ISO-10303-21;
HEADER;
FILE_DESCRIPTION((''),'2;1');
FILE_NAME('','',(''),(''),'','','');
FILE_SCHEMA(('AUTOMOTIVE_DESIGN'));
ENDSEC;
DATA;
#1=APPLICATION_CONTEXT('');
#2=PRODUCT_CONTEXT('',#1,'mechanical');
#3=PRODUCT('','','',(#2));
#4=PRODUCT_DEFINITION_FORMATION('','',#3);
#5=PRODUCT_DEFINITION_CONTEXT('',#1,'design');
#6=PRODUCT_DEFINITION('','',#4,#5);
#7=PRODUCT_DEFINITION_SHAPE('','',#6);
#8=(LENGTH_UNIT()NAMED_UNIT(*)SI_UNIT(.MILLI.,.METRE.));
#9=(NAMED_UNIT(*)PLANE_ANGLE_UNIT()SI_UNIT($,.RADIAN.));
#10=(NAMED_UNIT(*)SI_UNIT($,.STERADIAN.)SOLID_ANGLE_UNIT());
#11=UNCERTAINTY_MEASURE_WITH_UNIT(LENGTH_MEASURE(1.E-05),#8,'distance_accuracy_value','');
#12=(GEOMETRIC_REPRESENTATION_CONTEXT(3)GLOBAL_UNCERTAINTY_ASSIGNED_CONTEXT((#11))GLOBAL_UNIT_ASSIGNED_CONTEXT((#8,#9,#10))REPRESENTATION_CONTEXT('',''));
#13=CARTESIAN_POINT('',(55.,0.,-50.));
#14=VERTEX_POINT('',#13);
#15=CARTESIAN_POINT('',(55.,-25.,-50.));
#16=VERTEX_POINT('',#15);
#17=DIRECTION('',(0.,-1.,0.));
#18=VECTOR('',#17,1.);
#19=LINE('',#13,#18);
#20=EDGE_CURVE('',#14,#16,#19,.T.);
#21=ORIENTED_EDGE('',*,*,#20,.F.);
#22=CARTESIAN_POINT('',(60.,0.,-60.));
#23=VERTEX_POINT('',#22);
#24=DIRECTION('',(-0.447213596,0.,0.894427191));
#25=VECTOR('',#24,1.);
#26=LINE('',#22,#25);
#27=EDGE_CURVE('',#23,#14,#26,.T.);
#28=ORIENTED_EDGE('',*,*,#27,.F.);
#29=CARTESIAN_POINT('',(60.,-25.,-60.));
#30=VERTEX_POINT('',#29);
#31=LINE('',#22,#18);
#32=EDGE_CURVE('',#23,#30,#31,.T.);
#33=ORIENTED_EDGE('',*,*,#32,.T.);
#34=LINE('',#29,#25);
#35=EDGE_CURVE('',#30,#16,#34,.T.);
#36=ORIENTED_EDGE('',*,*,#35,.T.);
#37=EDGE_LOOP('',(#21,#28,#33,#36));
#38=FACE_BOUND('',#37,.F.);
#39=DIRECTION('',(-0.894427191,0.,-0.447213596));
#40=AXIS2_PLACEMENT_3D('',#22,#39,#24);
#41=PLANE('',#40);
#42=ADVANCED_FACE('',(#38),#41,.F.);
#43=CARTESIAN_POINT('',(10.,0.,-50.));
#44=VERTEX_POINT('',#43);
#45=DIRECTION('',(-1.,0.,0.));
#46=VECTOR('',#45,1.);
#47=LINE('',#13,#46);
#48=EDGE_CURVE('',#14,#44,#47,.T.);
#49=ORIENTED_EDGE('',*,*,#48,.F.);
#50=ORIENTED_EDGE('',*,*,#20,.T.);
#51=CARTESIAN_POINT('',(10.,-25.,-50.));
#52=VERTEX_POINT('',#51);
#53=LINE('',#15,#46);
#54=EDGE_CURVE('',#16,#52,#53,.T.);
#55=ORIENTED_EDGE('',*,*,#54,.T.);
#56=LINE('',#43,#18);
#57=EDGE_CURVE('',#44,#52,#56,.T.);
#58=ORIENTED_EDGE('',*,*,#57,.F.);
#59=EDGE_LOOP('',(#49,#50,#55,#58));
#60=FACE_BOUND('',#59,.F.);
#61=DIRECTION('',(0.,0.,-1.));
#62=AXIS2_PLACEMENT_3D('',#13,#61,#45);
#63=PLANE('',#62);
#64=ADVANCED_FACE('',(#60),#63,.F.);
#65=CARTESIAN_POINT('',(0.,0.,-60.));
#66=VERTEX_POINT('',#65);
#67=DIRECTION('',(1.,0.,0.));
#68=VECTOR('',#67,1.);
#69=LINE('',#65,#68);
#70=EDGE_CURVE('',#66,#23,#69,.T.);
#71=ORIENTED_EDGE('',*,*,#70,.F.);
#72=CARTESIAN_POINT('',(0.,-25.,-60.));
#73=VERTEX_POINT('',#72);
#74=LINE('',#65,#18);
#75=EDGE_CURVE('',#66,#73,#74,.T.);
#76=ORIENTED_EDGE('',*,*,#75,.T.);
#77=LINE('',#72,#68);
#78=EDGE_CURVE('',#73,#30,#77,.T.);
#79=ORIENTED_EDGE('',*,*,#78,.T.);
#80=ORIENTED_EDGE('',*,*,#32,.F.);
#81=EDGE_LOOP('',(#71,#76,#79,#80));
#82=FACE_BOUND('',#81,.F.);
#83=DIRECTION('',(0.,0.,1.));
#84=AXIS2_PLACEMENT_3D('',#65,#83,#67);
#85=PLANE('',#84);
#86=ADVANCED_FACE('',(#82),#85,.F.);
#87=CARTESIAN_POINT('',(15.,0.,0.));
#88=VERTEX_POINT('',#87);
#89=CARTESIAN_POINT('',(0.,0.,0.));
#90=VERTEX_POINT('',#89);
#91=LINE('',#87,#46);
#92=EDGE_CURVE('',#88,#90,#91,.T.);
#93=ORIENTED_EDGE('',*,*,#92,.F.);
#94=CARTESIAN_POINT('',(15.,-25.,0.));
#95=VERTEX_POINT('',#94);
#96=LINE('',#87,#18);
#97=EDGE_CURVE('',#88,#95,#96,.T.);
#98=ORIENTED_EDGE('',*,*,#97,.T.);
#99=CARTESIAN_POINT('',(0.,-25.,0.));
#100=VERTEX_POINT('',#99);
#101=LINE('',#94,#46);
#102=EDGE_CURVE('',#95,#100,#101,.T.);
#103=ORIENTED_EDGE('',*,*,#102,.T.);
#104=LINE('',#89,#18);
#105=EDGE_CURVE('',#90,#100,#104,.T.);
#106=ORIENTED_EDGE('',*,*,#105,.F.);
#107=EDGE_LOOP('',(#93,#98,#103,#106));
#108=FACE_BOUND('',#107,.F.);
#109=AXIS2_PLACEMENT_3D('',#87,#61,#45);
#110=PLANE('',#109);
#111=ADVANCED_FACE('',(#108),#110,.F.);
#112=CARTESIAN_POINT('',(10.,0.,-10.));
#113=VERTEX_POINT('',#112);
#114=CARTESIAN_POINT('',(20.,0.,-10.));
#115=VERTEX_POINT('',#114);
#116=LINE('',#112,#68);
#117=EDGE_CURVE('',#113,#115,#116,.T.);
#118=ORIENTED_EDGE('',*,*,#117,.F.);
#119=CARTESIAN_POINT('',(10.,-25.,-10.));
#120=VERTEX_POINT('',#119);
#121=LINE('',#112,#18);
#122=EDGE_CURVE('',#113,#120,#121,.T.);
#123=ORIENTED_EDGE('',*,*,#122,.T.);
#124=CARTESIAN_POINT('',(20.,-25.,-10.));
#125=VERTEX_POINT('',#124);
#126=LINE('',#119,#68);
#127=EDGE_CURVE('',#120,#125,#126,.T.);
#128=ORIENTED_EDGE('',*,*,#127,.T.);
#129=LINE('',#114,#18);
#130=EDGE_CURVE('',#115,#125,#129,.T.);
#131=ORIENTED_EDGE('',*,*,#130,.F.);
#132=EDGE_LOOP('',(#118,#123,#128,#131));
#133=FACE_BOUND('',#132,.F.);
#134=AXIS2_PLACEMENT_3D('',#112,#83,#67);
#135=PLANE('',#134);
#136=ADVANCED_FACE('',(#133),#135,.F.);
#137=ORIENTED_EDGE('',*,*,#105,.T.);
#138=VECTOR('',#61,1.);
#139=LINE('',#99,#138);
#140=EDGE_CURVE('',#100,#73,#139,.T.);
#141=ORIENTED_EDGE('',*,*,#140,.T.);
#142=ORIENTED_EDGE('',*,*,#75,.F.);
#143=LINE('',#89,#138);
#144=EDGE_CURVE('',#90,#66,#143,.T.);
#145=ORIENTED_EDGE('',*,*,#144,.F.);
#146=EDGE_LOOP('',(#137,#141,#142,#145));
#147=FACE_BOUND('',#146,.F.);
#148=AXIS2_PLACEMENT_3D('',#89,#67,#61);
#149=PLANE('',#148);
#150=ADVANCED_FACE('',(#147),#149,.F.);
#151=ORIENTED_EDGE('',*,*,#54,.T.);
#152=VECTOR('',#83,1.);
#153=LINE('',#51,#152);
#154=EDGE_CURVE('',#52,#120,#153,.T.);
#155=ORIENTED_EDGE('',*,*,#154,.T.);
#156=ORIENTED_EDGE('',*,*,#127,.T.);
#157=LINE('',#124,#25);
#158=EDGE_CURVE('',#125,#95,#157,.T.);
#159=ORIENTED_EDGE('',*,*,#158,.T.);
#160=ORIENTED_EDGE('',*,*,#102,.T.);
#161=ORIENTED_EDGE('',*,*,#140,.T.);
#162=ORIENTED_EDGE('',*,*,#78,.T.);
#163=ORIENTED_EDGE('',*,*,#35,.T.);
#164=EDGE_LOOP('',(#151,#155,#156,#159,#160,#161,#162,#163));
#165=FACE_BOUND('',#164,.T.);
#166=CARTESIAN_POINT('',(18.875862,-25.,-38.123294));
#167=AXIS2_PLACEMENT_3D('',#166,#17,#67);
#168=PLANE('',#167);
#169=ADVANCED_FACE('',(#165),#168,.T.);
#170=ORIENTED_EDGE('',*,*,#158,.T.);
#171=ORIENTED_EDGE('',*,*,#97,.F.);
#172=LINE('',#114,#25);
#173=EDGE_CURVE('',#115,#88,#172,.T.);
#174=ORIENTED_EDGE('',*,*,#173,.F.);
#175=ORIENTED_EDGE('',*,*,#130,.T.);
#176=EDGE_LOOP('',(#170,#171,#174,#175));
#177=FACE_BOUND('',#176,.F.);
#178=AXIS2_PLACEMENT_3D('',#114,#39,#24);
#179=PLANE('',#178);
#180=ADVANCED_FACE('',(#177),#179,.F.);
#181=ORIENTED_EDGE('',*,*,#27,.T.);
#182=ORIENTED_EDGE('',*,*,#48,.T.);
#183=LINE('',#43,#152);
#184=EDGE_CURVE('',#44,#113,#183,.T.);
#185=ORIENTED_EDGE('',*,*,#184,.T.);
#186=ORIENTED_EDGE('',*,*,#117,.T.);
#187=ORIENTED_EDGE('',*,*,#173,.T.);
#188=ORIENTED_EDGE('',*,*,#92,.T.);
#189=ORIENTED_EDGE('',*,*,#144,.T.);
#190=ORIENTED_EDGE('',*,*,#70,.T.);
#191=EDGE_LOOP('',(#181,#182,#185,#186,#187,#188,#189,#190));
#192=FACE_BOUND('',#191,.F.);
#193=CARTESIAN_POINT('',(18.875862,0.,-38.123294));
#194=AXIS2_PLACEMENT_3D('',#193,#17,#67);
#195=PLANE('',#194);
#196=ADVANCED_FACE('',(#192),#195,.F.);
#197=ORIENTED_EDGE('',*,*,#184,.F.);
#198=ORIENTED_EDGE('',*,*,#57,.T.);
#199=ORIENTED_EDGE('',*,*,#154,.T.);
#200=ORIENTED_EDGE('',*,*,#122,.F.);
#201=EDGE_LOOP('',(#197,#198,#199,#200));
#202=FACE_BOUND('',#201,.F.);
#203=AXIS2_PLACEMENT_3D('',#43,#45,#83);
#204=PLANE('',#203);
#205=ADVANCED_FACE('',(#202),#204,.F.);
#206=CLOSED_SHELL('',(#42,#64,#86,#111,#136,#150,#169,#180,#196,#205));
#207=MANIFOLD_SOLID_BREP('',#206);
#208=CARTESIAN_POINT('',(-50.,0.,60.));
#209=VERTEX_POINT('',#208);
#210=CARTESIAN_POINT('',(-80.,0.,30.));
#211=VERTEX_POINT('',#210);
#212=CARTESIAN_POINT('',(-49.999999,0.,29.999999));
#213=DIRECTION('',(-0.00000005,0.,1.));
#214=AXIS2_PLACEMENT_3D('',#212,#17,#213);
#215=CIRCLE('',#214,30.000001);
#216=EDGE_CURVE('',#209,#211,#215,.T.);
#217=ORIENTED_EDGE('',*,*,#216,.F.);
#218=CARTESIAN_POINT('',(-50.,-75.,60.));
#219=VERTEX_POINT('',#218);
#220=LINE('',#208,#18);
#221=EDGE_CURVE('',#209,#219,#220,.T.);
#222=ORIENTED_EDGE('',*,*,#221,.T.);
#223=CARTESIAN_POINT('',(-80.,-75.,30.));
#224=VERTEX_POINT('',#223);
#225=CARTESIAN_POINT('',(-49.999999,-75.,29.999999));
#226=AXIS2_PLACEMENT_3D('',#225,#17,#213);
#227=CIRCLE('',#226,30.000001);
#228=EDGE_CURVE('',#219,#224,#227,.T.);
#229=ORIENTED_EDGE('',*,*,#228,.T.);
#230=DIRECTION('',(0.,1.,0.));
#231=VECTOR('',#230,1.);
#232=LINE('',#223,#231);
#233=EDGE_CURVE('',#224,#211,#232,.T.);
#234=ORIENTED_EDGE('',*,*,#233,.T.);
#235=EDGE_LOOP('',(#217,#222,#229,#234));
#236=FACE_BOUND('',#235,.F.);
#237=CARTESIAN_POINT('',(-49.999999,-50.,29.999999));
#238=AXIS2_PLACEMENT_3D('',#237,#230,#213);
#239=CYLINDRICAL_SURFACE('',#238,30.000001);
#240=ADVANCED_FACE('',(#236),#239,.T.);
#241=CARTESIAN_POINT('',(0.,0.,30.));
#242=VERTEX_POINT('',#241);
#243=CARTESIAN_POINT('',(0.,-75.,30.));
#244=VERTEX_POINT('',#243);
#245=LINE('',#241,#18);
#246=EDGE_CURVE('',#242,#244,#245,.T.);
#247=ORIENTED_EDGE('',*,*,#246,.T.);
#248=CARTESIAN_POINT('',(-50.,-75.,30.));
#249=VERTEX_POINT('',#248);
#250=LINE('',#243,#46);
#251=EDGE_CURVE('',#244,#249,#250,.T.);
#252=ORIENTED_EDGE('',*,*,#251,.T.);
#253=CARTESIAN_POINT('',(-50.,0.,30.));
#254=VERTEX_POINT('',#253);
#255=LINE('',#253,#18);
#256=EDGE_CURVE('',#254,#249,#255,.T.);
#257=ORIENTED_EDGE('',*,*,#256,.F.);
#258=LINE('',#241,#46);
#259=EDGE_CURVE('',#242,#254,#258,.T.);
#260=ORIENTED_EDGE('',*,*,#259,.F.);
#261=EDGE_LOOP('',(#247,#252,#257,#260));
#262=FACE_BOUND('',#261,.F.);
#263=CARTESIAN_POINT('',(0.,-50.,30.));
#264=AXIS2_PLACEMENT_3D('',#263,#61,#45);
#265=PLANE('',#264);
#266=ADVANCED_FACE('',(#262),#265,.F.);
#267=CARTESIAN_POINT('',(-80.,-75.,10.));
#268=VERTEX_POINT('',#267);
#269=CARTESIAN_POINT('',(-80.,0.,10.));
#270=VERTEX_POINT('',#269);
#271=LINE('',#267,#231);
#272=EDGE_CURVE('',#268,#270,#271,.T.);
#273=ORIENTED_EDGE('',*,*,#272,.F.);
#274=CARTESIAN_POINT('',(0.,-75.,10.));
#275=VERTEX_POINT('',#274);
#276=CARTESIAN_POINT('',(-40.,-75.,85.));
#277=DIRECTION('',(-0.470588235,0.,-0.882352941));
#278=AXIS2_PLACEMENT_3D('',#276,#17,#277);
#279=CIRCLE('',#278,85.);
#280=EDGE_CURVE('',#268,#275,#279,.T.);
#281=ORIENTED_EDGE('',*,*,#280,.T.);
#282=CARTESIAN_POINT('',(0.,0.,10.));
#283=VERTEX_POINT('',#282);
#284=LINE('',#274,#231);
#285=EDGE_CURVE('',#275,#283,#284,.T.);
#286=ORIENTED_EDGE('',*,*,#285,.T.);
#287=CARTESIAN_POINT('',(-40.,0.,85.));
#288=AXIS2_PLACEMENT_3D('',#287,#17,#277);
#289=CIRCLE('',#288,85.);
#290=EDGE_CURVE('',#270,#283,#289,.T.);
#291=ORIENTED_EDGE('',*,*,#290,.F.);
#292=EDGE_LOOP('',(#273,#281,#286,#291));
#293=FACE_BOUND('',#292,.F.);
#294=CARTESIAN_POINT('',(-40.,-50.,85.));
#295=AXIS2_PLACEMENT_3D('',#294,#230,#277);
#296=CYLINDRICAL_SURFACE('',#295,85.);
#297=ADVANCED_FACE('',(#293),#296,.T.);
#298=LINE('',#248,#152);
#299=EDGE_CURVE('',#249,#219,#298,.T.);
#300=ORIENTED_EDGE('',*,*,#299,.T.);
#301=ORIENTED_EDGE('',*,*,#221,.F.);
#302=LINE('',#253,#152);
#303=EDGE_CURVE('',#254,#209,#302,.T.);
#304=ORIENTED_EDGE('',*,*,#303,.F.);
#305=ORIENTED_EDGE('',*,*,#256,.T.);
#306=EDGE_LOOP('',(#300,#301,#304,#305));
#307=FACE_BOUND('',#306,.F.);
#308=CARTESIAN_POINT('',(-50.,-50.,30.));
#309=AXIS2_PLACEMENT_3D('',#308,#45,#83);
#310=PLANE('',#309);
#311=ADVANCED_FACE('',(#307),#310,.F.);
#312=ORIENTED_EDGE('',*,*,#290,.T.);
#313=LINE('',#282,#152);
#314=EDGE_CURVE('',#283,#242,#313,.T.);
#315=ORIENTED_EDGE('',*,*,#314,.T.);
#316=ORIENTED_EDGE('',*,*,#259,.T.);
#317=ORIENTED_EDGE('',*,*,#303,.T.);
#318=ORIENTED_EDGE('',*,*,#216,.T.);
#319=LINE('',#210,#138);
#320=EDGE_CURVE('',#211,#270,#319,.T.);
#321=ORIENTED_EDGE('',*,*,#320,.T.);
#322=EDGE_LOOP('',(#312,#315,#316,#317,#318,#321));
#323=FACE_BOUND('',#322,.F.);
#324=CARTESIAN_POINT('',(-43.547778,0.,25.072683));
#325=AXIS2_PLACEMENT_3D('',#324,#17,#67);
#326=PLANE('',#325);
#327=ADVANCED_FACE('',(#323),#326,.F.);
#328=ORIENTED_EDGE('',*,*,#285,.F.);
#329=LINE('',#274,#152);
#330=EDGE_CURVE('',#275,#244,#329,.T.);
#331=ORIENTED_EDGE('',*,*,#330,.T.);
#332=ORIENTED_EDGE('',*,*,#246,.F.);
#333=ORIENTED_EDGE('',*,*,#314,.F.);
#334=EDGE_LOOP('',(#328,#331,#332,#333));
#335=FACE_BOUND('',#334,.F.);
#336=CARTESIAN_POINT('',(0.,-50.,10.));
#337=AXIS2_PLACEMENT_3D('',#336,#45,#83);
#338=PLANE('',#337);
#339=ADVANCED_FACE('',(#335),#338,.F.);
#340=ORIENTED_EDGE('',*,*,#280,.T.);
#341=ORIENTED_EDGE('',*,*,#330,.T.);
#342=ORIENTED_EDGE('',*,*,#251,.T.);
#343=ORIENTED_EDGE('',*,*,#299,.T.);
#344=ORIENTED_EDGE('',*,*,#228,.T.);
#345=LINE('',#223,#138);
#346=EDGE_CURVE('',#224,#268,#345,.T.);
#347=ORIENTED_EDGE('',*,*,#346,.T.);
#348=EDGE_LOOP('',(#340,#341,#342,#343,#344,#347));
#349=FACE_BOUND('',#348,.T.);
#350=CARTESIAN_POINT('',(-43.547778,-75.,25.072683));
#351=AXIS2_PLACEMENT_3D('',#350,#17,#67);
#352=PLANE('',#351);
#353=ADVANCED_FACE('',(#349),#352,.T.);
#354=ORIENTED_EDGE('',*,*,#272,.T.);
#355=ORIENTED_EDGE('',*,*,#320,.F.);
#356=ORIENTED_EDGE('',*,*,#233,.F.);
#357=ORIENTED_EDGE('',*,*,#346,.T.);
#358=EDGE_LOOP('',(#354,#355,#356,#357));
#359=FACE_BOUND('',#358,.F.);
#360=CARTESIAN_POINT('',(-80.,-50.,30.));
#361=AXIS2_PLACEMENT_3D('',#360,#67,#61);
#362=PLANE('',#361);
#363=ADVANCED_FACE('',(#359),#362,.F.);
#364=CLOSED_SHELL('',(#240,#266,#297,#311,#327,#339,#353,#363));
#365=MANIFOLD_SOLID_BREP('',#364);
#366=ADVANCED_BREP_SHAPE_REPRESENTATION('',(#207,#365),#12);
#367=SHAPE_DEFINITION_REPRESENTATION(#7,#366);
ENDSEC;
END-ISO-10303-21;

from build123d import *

# Parameters (mm, degrees)
F2_DEPTH = 50
F3_DEPTH = 25
F4_DEPTH = 25


with BuildPart() as f2:
    # F1 (on Front) → F2 (new body)
    with BuildSketch(Plane.XZ):
        with BuildLine():
            Line((0, 30), (-50, 30))
            Line((-50, 30), (-50, 60))
            ThreePointArc((-50, 60), (-71.213203, 51.213203), (-80, 30))
            Line((-80, 30), (-80, 10))
            ThreePointArc((-80, 10), (-40, 0), (0, 10))
            Line((0, 10), (0, 30))
        make_face()
    extrude(amount=F2_DEPTH)

    # F2_face (on face) → F4 (join)
    with BuildSketch(Plane(origin=(-45.644437, -50, 22.98515), x_dir=(1, 0, 0), z_dir=(0, -1, 0))):
        with BuildLine():
            Line((45.644437, -12.98515), (45.644437, 7.01485))
            Line((45.644437, 7.01485), (-4.355563, 7.01485))
            Line((-4.355563, 7.01485), (-4.355563, 37.01485))
            ThreePointArc((-4.355563, 37.01485), (-25.568766, 28.228053), (-34.355563, 7.01485))
            Line((-34.355563, 7.01485), (-34.355563, -12.98515))
            ThreePointArc((-34.355563, -12.98515), (5.644437, -22.98515), (45.644437, -12.98515))
        make_face()
    extrude(amount=F4_DEPTH)


with BuildPart() as f3:
    # F0 (on Front) → F3 (new body)
    with BuildSketch(Plane.XZ):
        Polygon((15, 0), (0, 0), (0, -60), (60, -60), (55, -50), (10, -50), (10, -10), (20, -10), align=None)
    extrude(amount=F3_DEPTH)


solid = Compound([f2.part, f3.part])
